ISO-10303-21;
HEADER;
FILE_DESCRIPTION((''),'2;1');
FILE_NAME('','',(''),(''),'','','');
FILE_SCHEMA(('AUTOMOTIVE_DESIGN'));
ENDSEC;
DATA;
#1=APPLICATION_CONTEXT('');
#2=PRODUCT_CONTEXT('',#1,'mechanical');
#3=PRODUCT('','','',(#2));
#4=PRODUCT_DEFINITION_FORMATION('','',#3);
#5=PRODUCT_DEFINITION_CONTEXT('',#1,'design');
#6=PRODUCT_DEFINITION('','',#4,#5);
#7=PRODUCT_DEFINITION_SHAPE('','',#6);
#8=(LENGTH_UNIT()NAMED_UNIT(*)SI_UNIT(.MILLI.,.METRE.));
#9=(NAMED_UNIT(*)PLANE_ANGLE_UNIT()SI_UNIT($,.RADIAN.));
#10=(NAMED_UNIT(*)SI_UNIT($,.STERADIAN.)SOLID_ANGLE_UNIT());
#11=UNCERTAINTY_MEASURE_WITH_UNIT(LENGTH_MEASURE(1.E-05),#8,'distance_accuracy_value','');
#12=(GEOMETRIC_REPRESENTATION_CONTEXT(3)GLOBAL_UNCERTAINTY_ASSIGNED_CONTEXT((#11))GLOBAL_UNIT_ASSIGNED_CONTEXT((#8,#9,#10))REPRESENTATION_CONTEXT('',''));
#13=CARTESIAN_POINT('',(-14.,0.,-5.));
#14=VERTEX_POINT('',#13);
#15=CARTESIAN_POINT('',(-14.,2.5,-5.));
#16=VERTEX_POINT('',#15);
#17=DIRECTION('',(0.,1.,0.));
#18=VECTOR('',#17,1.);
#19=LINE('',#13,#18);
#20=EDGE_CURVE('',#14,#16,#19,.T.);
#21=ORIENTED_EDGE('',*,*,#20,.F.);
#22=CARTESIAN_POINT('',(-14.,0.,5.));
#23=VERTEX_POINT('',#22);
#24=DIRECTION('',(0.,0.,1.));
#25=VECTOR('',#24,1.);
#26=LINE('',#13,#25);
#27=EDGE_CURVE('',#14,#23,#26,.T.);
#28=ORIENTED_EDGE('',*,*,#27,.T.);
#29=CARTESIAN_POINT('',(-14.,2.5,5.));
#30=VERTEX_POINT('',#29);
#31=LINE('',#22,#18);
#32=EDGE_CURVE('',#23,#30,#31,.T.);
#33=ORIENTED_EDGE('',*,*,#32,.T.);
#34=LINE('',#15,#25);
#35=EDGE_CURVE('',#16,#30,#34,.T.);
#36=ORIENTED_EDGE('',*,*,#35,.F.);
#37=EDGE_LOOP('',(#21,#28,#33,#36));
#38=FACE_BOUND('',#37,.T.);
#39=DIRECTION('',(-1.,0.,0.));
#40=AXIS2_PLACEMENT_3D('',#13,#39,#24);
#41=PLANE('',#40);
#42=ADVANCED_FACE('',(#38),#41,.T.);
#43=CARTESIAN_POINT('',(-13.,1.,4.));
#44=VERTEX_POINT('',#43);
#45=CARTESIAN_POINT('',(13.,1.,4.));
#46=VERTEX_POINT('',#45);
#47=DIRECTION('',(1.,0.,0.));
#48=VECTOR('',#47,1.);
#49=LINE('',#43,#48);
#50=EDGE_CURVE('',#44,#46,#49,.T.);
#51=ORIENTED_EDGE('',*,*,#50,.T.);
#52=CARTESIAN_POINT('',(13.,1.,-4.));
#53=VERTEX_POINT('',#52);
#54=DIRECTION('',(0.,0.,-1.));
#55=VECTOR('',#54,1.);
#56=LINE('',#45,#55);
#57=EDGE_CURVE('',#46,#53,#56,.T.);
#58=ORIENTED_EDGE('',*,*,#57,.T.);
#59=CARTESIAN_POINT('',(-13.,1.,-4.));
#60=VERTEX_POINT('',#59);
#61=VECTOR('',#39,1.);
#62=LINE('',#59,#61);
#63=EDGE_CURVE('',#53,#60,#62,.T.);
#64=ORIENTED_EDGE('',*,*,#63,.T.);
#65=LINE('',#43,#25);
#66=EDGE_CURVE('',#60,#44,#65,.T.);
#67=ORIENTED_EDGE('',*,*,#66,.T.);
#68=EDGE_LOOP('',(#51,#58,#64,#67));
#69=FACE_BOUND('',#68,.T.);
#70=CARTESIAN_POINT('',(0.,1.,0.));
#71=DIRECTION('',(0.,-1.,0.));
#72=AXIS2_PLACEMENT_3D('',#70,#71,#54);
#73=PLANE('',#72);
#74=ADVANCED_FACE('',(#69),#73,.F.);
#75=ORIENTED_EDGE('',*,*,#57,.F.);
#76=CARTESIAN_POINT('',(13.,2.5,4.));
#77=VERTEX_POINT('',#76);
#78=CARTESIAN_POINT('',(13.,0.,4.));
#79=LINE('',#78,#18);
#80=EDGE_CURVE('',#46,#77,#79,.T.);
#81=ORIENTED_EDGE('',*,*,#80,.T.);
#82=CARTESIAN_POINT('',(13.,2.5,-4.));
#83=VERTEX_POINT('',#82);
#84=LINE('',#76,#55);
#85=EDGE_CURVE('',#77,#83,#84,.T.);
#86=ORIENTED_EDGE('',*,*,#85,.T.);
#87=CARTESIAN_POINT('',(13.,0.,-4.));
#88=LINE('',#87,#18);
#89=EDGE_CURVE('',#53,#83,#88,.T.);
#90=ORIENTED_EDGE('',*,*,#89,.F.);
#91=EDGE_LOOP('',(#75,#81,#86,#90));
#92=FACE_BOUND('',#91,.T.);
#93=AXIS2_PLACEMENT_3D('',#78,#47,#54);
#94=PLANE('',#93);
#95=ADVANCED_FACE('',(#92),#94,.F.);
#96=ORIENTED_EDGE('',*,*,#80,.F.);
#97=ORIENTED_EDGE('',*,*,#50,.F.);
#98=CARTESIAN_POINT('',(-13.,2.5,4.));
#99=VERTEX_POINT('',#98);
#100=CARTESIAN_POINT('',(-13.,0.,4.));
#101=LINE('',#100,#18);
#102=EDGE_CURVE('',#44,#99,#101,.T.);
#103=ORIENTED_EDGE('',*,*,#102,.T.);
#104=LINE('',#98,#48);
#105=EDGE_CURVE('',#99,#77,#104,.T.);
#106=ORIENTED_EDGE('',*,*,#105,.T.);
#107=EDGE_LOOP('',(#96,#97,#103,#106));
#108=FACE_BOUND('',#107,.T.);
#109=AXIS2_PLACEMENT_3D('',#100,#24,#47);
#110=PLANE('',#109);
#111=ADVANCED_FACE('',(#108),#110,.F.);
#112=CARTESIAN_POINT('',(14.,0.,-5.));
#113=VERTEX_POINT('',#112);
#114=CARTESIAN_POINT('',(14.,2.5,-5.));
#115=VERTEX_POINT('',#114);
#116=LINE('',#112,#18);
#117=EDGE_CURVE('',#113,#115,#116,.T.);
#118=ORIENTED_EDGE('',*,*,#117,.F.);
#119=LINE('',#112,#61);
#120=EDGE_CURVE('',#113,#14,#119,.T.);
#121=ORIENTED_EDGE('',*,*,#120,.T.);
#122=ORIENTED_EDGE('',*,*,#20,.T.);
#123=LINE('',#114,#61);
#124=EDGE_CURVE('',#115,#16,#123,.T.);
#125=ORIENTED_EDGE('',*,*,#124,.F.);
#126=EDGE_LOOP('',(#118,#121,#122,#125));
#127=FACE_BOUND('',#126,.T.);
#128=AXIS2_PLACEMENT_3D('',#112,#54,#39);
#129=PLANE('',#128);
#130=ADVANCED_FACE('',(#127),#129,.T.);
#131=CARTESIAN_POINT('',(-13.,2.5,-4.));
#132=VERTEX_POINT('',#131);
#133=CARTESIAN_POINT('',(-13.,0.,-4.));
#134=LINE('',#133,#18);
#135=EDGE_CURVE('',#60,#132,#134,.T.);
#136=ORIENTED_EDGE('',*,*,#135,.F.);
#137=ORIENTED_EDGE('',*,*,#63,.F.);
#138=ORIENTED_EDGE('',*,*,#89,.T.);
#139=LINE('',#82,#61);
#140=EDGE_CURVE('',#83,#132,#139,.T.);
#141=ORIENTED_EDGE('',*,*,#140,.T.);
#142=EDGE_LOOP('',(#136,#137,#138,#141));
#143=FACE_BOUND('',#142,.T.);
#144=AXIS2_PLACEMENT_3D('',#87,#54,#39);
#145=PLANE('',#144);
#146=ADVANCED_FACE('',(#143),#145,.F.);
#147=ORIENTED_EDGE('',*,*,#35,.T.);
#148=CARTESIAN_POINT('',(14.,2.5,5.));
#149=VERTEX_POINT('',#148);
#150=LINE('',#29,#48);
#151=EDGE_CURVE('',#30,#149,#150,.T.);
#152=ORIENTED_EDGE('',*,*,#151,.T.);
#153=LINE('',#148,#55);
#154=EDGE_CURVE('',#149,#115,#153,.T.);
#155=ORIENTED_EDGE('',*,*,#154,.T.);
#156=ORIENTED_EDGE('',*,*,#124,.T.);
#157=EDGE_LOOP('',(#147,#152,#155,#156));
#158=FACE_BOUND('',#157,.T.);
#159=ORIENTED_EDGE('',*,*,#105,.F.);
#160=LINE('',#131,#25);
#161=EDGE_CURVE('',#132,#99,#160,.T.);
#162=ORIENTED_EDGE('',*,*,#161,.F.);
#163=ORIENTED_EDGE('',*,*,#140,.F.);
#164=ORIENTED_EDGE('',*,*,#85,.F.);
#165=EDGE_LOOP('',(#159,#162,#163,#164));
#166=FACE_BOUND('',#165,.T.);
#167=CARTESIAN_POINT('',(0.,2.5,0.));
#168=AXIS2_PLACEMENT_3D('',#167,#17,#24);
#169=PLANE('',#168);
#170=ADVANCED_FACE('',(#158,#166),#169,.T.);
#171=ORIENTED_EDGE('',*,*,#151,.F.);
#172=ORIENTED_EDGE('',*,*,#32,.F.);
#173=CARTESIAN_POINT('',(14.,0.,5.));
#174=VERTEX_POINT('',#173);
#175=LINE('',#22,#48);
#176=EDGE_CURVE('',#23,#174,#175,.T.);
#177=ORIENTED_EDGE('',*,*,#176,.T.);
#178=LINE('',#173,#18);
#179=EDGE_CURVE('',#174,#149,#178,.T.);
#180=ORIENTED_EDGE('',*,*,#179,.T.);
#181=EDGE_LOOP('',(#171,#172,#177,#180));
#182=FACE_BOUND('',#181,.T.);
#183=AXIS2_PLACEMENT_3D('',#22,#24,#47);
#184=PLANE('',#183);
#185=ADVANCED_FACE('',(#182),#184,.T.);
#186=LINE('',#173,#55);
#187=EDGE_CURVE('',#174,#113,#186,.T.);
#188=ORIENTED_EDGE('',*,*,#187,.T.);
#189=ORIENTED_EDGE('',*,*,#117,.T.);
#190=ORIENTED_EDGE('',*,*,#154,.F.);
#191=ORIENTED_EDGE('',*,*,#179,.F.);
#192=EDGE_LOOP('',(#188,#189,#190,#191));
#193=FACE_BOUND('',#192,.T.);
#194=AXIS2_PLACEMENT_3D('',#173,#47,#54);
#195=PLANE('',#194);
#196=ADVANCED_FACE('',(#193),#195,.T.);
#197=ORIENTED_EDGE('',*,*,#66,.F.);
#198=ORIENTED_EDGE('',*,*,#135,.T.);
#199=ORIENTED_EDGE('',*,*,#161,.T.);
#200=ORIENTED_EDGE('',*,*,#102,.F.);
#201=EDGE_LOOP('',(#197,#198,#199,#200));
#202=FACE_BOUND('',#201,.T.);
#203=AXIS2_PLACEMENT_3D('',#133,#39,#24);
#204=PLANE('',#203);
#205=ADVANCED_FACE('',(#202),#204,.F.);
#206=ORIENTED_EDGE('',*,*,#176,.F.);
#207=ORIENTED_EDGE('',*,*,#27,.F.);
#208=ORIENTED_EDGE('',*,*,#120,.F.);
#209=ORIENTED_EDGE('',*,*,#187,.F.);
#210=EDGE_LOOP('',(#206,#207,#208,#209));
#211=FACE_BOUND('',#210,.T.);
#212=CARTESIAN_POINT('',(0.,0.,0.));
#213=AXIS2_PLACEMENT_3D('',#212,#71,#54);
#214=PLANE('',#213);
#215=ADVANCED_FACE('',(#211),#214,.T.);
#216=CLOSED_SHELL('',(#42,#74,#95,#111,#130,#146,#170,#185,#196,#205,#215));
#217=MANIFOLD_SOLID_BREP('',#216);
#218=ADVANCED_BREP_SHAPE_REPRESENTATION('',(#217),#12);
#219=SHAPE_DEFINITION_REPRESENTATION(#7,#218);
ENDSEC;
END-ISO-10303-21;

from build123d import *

# Parameters (mm, degrees)
SKETCH_1_W           = 26
SKETCH_1_H           = 8
EXTRUDE_1_DEPTH      = 1
SKETCH_2_W           = 28
SKETCH_2_H           = 10
SKETCH_2_W_2         = 26
SKETCH_2_H_2         = 8
EXTRUDE_2_DEPTH      = 1.5
EXTRUDE_2_DEPTH_BACK = 1


with BuildPart() as part:
    # 草图1 → 凸台-拉伸1 (new body)
    with BuildSketch(Plane(origin=(0, 0, 0), x_dir=(1, 0, 0), z_dir=(0, 1, 0))):
        Rectangle(SKETCH_1_W, SKETCH_1_H)
    extrude(amount=EXTRUDE_1_DEPTH)

    # 草图2 → 凸台-拉伸2 (add, two sides)
    with BuildSketch(Plane(origin=(0, 1, 0), x_dir=(1, 0, 0), z_dir=(0, 1, 0))) as extrude_2_sk:
        Rectangle(SKETCH_2_W, SKETCH_2_H)
        Rectangle(SKETCH_2_W_2, SKETCH_2_H_2, mode=Mode.SUBTRACT)
    extrude(amount=EXTRUDE_2_DEPTH)
    extrude(extrude_2_sk.sketch, amount=-EXTRUDE_2_DEPTH_BACK)


solid = part.part
